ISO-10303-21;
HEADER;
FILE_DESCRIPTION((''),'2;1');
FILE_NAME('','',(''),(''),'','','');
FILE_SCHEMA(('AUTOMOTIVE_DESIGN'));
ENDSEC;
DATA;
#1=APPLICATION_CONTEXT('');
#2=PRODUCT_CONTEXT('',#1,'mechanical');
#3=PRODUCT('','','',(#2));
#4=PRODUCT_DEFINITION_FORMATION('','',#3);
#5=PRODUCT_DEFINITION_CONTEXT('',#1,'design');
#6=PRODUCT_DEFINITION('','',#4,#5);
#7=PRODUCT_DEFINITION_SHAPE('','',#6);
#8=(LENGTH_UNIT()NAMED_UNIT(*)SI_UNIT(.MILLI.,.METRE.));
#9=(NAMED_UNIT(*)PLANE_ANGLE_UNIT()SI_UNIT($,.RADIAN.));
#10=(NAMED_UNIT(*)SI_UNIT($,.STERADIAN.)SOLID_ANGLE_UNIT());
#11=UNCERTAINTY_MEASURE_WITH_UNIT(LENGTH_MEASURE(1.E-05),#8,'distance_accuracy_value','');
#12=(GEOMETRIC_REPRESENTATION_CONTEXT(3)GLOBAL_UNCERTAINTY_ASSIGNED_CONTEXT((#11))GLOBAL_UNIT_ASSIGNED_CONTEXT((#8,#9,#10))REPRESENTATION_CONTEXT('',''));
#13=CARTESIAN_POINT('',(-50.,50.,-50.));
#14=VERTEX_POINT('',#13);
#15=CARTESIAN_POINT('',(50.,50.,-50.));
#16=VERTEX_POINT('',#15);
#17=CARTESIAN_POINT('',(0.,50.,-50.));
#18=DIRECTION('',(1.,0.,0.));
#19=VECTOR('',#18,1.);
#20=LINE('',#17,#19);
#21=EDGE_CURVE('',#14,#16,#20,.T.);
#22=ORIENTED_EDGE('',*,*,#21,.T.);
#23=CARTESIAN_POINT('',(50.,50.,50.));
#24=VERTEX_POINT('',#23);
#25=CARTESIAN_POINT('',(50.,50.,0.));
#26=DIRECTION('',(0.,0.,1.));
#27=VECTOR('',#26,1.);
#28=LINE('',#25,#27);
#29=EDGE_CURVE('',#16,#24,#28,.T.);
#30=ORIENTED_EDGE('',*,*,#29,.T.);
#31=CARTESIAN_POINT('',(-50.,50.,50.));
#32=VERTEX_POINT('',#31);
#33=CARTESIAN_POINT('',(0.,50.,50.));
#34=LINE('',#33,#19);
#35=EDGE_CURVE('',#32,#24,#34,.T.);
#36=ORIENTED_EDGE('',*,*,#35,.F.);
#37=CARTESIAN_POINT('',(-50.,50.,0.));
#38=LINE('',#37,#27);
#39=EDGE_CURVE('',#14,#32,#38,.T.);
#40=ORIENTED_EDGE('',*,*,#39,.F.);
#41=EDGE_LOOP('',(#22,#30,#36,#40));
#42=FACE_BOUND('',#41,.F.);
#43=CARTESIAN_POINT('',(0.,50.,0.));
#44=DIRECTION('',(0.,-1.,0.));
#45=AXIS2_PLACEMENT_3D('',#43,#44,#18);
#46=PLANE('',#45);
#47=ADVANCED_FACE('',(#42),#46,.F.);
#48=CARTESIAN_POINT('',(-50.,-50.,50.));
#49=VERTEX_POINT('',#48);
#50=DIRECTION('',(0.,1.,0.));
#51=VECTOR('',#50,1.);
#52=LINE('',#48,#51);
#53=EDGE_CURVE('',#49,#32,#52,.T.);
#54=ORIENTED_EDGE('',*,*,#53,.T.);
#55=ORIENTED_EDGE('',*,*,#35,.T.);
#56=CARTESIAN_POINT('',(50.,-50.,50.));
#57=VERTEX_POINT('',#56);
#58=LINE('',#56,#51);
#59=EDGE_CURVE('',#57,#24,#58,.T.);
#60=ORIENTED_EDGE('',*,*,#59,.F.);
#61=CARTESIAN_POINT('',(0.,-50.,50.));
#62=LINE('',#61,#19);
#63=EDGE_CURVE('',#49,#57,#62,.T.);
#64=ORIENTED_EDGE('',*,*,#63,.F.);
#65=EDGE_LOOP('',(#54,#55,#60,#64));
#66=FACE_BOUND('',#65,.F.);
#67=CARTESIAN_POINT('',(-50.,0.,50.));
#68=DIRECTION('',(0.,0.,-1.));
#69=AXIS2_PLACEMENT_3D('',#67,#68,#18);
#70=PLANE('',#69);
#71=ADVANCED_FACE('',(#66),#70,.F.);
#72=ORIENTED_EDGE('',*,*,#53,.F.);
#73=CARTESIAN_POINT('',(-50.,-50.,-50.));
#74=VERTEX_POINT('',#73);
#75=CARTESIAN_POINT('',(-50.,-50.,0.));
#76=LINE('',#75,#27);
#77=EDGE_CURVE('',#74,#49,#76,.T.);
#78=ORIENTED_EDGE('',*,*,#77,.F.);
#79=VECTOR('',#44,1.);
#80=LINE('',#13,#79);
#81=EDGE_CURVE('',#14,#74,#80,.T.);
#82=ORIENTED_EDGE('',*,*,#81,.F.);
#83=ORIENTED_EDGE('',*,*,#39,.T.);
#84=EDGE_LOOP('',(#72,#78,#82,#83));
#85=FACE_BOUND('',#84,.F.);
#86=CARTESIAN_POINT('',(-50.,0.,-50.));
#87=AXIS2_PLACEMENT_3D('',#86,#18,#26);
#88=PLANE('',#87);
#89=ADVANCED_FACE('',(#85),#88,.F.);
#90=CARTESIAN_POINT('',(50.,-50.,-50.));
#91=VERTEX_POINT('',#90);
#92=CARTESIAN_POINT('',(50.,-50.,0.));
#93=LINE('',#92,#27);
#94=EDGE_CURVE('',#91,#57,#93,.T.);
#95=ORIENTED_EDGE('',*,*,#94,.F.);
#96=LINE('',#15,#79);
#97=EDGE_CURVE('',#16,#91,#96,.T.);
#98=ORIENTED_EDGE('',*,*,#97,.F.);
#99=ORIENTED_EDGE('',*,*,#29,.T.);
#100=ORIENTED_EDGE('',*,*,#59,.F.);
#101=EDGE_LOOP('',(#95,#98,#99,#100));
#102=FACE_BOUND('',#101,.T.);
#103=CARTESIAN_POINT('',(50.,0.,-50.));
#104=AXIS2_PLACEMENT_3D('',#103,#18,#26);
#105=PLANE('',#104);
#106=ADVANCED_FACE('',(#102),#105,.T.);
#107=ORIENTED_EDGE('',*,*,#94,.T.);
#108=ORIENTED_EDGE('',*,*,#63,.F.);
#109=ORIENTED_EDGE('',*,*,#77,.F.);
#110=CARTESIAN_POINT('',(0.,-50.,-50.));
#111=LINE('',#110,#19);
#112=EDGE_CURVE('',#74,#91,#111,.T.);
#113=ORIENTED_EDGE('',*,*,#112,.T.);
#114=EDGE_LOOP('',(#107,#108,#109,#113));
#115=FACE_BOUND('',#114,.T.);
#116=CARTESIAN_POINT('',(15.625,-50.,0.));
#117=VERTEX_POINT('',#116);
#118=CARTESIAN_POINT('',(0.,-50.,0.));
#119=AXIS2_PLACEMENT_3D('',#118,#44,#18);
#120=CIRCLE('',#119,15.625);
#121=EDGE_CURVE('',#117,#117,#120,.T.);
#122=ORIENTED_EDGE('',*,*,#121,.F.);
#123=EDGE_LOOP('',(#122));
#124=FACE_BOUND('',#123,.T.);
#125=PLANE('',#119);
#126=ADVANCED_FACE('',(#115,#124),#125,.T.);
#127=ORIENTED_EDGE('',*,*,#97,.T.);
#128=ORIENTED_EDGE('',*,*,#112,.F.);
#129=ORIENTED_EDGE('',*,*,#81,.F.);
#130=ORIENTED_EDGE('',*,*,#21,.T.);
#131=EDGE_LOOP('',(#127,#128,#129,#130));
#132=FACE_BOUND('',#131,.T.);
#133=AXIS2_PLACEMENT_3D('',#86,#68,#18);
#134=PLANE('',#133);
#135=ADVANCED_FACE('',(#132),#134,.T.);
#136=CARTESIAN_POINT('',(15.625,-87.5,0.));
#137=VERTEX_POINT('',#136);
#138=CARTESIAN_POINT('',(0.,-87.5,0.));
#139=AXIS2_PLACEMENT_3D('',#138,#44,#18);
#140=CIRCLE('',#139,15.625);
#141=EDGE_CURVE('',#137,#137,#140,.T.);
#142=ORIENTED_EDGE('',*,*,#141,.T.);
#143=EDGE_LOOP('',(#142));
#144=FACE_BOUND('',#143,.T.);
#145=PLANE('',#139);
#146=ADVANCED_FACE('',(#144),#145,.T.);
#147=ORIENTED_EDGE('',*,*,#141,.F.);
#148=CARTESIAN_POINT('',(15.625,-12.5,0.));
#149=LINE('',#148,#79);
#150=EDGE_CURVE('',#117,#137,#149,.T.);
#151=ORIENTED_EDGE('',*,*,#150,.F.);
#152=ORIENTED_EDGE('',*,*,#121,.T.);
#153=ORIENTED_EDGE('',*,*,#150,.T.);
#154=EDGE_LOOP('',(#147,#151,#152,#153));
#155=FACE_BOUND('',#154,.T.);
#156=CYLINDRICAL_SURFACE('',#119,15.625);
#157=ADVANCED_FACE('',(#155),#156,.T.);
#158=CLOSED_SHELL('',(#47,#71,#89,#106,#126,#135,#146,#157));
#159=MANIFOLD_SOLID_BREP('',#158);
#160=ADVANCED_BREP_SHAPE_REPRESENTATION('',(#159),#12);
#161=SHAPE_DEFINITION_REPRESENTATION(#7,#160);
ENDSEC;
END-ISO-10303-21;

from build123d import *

# Parameters (mm, degrees)
F0_W     = 100
F0_H     = 100
F1_DEPTH = 50
F2_R     = 15.625
F3_DEPTH = 37.5
F2_R_2   = 31.25
F4_DEPTH = 50


with BuildPart() as f1:
    # F0 (on Front) → F1 (new body, symmetric)
    with BuildSketch(Plane.XZ):
        Rectangle(F0_W, F0_H)
    extrude(amount=F1_DEPTH, both=True)

    # F2 (on face) → F3 (join, symmetric)
    with BuildSketch(Plane.XZ.offset(50)):
        Circle(F2_R)
    extrude(amount=F3_DEPTH, both=True)

    # F2 (on face) → F4 (join)
    with BuildSketch(Plane.XZ.offset(50)):
        Circle(F2_R_2)
        Circle(F2_R, mode=Mode.SUBTRACT)
    extrude(amount=-F4_DEPTH)


solid = f1.part
